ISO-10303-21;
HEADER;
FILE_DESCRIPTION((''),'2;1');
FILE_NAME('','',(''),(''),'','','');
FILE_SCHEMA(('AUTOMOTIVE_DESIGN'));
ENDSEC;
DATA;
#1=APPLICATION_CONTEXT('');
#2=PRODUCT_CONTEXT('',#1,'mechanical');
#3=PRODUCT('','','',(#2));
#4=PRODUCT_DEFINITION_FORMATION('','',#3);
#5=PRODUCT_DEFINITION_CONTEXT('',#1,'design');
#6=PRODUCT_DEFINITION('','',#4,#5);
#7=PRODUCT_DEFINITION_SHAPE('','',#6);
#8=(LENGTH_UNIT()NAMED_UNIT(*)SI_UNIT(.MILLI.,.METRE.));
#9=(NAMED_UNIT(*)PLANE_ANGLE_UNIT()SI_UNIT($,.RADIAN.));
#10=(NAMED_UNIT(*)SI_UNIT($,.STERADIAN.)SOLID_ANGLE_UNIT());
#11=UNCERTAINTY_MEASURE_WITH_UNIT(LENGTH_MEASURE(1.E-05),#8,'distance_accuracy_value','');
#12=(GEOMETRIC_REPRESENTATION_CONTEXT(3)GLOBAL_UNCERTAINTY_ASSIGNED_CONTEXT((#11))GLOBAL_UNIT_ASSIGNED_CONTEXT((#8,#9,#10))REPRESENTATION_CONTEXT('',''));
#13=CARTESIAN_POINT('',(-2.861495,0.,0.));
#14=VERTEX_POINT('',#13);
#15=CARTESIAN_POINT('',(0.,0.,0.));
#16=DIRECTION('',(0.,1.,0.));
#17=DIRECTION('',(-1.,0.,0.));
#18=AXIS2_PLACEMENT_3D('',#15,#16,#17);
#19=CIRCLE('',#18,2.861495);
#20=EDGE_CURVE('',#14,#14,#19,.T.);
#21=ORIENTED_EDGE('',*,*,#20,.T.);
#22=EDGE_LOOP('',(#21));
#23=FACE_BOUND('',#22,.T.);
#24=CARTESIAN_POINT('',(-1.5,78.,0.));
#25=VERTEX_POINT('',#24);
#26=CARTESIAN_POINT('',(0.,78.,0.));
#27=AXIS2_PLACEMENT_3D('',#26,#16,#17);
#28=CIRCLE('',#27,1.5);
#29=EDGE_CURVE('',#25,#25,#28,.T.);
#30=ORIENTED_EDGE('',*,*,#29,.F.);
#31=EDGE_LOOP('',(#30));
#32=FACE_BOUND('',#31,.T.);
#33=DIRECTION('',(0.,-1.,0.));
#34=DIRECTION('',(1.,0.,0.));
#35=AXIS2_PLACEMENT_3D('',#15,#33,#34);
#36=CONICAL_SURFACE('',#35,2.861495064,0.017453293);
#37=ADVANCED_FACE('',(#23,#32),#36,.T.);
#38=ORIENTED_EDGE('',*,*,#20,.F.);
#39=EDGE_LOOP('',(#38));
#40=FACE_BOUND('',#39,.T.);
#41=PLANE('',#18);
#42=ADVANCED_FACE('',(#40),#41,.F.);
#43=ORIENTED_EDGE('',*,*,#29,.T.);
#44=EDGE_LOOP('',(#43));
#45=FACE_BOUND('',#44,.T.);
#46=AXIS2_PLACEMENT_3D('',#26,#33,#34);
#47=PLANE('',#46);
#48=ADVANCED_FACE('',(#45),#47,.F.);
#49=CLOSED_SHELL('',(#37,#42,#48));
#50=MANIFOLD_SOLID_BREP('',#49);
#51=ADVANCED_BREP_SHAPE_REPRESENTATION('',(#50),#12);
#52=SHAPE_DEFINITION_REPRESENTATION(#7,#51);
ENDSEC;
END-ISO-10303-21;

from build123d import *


with BuildPart() as part:
    # Szkic1 → Obrót1 (revolve)
    with BuildSketch(Plane.XY):
        Polygon((0, 78), (0, 0), (-2.861495064, 0), (-1.5, 78), align=None)
        Polygon((-2.861495064, 0), (0, 0), (0, 78), (-1.5, 78), align=None)
    revolve(axis=Axis((0, 78, 0), (0, -1, 0)))


solid = part.part
